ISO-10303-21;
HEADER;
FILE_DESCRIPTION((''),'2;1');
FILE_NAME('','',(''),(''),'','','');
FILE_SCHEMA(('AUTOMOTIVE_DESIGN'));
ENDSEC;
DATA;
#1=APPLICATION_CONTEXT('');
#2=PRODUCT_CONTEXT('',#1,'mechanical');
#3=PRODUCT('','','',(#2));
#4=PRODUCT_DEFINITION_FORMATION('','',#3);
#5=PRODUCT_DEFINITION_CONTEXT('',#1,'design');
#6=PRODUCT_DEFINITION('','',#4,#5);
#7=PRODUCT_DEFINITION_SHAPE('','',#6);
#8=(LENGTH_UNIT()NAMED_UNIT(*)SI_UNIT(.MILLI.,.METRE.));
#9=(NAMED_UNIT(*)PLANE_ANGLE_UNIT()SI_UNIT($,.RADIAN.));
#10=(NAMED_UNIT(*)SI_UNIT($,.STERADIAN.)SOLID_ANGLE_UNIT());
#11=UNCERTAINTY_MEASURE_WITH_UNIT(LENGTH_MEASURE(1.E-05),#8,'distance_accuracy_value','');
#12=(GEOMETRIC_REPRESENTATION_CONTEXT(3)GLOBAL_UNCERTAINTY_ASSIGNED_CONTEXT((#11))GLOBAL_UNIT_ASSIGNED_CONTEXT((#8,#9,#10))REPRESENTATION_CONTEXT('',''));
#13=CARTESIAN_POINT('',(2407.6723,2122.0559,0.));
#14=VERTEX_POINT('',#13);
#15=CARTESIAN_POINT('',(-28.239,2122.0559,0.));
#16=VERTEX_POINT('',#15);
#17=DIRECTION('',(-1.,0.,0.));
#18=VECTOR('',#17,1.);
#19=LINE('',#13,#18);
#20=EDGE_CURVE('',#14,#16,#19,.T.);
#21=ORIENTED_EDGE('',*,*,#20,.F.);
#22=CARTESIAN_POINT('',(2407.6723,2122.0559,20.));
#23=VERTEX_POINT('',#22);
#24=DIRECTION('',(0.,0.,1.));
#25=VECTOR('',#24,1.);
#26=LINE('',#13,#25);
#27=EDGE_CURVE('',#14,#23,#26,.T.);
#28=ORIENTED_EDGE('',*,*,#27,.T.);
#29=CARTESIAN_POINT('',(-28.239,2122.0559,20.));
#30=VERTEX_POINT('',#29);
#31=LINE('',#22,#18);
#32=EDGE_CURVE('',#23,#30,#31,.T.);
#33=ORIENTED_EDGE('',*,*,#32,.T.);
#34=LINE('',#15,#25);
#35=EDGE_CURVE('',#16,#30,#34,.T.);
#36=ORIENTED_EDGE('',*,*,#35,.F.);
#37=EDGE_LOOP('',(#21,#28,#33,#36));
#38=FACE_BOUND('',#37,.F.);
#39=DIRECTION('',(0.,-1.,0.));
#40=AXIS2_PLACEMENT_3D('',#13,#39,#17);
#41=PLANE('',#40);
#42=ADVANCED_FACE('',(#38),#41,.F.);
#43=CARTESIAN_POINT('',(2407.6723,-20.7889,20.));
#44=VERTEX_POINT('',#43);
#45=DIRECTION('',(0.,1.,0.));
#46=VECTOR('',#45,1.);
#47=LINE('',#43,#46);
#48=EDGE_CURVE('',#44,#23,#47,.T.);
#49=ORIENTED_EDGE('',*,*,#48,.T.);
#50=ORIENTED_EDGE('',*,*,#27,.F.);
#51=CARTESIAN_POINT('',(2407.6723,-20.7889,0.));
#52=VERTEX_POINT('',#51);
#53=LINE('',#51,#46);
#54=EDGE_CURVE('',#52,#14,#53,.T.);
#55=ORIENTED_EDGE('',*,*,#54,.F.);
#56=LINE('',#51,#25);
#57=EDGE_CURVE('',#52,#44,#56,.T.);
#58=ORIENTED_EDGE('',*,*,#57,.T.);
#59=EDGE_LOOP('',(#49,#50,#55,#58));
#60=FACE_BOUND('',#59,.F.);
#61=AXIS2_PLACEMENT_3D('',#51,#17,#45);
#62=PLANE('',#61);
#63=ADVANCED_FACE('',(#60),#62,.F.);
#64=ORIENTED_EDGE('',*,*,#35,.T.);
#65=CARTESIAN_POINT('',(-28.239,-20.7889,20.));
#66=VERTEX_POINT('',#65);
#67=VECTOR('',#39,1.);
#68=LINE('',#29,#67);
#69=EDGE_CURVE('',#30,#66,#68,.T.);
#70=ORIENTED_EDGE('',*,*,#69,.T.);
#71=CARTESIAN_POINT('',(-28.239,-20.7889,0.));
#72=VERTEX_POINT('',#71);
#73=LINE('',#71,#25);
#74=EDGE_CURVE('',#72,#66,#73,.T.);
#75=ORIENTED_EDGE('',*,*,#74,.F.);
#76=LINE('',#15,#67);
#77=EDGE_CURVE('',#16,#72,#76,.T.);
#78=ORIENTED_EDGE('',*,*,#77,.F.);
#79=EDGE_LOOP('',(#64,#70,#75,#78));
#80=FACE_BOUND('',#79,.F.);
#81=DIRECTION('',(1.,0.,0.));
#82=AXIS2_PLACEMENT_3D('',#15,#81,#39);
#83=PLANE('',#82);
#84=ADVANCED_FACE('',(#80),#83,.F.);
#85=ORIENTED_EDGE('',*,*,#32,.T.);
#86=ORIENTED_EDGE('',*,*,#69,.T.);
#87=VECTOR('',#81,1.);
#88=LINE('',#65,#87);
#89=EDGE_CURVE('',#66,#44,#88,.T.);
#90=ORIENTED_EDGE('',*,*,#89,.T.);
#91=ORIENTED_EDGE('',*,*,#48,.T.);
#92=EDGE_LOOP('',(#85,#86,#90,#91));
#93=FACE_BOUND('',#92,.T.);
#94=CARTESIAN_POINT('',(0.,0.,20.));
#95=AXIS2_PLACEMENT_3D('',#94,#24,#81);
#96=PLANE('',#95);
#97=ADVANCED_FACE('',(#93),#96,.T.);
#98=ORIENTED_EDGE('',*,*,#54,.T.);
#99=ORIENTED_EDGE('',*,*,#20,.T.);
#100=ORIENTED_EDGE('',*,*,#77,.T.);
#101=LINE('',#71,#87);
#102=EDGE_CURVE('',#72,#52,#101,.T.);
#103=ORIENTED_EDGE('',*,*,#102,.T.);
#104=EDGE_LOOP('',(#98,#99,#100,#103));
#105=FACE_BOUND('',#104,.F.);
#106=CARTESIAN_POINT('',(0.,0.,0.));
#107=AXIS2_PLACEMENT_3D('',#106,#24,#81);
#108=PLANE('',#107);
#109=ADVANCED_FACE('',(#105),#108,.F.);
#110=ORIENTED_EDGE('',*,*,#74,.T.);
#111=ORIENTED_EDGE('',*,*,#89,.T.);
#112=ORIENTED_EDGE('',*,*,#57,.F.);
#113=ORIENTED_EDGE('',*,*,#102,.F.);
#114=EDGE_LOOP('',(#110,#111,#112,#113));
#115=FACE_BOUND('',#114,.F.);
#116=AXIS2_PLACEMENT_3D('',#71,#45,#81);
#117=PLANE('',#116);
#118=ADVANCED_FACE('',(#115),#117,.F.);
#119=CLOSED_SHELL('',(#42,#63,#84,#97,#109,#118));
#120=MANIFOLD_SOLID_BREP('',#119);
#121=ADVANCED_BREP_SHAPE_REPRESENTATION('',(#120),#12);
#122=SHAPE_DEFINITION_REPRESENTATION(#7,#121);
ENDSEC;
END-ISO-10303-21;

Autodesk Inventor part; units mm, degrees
ref_plane "YZ Plane" through (0, 0, 0) normal (1, 0, 0) x (0, 1, 0)
ref_plane "XZ Plane" through (0, 0, 0) normal (0, 1, 0) x (-1, 0, 0)
ref_plane "XY Plane" through (0, 0, 0) normal (0, 0, 1) x (1, 0, 0)
sketch "Sketch1" plane through (0, 0, 0) normal (0, 0, 1) x (1, 0, 0)
  line L0 (-28.239, -20.7889) -> (2407.6723, -20.7889)
  line L1 (2407.6723, -20.7889) -> (2407.6723, 2122.0559)
  line L2 (2407.6723, 2122.0559) -> (-28.239, 2122.0559)
  line L3 (-28.239, 2122.0559) -> (-28.239, -20.7889)
  point P0 (0, 0)
extrude "Extrusion1" add sketch "Sketch1" along normal blind 20
properties part number "Cuarto"
